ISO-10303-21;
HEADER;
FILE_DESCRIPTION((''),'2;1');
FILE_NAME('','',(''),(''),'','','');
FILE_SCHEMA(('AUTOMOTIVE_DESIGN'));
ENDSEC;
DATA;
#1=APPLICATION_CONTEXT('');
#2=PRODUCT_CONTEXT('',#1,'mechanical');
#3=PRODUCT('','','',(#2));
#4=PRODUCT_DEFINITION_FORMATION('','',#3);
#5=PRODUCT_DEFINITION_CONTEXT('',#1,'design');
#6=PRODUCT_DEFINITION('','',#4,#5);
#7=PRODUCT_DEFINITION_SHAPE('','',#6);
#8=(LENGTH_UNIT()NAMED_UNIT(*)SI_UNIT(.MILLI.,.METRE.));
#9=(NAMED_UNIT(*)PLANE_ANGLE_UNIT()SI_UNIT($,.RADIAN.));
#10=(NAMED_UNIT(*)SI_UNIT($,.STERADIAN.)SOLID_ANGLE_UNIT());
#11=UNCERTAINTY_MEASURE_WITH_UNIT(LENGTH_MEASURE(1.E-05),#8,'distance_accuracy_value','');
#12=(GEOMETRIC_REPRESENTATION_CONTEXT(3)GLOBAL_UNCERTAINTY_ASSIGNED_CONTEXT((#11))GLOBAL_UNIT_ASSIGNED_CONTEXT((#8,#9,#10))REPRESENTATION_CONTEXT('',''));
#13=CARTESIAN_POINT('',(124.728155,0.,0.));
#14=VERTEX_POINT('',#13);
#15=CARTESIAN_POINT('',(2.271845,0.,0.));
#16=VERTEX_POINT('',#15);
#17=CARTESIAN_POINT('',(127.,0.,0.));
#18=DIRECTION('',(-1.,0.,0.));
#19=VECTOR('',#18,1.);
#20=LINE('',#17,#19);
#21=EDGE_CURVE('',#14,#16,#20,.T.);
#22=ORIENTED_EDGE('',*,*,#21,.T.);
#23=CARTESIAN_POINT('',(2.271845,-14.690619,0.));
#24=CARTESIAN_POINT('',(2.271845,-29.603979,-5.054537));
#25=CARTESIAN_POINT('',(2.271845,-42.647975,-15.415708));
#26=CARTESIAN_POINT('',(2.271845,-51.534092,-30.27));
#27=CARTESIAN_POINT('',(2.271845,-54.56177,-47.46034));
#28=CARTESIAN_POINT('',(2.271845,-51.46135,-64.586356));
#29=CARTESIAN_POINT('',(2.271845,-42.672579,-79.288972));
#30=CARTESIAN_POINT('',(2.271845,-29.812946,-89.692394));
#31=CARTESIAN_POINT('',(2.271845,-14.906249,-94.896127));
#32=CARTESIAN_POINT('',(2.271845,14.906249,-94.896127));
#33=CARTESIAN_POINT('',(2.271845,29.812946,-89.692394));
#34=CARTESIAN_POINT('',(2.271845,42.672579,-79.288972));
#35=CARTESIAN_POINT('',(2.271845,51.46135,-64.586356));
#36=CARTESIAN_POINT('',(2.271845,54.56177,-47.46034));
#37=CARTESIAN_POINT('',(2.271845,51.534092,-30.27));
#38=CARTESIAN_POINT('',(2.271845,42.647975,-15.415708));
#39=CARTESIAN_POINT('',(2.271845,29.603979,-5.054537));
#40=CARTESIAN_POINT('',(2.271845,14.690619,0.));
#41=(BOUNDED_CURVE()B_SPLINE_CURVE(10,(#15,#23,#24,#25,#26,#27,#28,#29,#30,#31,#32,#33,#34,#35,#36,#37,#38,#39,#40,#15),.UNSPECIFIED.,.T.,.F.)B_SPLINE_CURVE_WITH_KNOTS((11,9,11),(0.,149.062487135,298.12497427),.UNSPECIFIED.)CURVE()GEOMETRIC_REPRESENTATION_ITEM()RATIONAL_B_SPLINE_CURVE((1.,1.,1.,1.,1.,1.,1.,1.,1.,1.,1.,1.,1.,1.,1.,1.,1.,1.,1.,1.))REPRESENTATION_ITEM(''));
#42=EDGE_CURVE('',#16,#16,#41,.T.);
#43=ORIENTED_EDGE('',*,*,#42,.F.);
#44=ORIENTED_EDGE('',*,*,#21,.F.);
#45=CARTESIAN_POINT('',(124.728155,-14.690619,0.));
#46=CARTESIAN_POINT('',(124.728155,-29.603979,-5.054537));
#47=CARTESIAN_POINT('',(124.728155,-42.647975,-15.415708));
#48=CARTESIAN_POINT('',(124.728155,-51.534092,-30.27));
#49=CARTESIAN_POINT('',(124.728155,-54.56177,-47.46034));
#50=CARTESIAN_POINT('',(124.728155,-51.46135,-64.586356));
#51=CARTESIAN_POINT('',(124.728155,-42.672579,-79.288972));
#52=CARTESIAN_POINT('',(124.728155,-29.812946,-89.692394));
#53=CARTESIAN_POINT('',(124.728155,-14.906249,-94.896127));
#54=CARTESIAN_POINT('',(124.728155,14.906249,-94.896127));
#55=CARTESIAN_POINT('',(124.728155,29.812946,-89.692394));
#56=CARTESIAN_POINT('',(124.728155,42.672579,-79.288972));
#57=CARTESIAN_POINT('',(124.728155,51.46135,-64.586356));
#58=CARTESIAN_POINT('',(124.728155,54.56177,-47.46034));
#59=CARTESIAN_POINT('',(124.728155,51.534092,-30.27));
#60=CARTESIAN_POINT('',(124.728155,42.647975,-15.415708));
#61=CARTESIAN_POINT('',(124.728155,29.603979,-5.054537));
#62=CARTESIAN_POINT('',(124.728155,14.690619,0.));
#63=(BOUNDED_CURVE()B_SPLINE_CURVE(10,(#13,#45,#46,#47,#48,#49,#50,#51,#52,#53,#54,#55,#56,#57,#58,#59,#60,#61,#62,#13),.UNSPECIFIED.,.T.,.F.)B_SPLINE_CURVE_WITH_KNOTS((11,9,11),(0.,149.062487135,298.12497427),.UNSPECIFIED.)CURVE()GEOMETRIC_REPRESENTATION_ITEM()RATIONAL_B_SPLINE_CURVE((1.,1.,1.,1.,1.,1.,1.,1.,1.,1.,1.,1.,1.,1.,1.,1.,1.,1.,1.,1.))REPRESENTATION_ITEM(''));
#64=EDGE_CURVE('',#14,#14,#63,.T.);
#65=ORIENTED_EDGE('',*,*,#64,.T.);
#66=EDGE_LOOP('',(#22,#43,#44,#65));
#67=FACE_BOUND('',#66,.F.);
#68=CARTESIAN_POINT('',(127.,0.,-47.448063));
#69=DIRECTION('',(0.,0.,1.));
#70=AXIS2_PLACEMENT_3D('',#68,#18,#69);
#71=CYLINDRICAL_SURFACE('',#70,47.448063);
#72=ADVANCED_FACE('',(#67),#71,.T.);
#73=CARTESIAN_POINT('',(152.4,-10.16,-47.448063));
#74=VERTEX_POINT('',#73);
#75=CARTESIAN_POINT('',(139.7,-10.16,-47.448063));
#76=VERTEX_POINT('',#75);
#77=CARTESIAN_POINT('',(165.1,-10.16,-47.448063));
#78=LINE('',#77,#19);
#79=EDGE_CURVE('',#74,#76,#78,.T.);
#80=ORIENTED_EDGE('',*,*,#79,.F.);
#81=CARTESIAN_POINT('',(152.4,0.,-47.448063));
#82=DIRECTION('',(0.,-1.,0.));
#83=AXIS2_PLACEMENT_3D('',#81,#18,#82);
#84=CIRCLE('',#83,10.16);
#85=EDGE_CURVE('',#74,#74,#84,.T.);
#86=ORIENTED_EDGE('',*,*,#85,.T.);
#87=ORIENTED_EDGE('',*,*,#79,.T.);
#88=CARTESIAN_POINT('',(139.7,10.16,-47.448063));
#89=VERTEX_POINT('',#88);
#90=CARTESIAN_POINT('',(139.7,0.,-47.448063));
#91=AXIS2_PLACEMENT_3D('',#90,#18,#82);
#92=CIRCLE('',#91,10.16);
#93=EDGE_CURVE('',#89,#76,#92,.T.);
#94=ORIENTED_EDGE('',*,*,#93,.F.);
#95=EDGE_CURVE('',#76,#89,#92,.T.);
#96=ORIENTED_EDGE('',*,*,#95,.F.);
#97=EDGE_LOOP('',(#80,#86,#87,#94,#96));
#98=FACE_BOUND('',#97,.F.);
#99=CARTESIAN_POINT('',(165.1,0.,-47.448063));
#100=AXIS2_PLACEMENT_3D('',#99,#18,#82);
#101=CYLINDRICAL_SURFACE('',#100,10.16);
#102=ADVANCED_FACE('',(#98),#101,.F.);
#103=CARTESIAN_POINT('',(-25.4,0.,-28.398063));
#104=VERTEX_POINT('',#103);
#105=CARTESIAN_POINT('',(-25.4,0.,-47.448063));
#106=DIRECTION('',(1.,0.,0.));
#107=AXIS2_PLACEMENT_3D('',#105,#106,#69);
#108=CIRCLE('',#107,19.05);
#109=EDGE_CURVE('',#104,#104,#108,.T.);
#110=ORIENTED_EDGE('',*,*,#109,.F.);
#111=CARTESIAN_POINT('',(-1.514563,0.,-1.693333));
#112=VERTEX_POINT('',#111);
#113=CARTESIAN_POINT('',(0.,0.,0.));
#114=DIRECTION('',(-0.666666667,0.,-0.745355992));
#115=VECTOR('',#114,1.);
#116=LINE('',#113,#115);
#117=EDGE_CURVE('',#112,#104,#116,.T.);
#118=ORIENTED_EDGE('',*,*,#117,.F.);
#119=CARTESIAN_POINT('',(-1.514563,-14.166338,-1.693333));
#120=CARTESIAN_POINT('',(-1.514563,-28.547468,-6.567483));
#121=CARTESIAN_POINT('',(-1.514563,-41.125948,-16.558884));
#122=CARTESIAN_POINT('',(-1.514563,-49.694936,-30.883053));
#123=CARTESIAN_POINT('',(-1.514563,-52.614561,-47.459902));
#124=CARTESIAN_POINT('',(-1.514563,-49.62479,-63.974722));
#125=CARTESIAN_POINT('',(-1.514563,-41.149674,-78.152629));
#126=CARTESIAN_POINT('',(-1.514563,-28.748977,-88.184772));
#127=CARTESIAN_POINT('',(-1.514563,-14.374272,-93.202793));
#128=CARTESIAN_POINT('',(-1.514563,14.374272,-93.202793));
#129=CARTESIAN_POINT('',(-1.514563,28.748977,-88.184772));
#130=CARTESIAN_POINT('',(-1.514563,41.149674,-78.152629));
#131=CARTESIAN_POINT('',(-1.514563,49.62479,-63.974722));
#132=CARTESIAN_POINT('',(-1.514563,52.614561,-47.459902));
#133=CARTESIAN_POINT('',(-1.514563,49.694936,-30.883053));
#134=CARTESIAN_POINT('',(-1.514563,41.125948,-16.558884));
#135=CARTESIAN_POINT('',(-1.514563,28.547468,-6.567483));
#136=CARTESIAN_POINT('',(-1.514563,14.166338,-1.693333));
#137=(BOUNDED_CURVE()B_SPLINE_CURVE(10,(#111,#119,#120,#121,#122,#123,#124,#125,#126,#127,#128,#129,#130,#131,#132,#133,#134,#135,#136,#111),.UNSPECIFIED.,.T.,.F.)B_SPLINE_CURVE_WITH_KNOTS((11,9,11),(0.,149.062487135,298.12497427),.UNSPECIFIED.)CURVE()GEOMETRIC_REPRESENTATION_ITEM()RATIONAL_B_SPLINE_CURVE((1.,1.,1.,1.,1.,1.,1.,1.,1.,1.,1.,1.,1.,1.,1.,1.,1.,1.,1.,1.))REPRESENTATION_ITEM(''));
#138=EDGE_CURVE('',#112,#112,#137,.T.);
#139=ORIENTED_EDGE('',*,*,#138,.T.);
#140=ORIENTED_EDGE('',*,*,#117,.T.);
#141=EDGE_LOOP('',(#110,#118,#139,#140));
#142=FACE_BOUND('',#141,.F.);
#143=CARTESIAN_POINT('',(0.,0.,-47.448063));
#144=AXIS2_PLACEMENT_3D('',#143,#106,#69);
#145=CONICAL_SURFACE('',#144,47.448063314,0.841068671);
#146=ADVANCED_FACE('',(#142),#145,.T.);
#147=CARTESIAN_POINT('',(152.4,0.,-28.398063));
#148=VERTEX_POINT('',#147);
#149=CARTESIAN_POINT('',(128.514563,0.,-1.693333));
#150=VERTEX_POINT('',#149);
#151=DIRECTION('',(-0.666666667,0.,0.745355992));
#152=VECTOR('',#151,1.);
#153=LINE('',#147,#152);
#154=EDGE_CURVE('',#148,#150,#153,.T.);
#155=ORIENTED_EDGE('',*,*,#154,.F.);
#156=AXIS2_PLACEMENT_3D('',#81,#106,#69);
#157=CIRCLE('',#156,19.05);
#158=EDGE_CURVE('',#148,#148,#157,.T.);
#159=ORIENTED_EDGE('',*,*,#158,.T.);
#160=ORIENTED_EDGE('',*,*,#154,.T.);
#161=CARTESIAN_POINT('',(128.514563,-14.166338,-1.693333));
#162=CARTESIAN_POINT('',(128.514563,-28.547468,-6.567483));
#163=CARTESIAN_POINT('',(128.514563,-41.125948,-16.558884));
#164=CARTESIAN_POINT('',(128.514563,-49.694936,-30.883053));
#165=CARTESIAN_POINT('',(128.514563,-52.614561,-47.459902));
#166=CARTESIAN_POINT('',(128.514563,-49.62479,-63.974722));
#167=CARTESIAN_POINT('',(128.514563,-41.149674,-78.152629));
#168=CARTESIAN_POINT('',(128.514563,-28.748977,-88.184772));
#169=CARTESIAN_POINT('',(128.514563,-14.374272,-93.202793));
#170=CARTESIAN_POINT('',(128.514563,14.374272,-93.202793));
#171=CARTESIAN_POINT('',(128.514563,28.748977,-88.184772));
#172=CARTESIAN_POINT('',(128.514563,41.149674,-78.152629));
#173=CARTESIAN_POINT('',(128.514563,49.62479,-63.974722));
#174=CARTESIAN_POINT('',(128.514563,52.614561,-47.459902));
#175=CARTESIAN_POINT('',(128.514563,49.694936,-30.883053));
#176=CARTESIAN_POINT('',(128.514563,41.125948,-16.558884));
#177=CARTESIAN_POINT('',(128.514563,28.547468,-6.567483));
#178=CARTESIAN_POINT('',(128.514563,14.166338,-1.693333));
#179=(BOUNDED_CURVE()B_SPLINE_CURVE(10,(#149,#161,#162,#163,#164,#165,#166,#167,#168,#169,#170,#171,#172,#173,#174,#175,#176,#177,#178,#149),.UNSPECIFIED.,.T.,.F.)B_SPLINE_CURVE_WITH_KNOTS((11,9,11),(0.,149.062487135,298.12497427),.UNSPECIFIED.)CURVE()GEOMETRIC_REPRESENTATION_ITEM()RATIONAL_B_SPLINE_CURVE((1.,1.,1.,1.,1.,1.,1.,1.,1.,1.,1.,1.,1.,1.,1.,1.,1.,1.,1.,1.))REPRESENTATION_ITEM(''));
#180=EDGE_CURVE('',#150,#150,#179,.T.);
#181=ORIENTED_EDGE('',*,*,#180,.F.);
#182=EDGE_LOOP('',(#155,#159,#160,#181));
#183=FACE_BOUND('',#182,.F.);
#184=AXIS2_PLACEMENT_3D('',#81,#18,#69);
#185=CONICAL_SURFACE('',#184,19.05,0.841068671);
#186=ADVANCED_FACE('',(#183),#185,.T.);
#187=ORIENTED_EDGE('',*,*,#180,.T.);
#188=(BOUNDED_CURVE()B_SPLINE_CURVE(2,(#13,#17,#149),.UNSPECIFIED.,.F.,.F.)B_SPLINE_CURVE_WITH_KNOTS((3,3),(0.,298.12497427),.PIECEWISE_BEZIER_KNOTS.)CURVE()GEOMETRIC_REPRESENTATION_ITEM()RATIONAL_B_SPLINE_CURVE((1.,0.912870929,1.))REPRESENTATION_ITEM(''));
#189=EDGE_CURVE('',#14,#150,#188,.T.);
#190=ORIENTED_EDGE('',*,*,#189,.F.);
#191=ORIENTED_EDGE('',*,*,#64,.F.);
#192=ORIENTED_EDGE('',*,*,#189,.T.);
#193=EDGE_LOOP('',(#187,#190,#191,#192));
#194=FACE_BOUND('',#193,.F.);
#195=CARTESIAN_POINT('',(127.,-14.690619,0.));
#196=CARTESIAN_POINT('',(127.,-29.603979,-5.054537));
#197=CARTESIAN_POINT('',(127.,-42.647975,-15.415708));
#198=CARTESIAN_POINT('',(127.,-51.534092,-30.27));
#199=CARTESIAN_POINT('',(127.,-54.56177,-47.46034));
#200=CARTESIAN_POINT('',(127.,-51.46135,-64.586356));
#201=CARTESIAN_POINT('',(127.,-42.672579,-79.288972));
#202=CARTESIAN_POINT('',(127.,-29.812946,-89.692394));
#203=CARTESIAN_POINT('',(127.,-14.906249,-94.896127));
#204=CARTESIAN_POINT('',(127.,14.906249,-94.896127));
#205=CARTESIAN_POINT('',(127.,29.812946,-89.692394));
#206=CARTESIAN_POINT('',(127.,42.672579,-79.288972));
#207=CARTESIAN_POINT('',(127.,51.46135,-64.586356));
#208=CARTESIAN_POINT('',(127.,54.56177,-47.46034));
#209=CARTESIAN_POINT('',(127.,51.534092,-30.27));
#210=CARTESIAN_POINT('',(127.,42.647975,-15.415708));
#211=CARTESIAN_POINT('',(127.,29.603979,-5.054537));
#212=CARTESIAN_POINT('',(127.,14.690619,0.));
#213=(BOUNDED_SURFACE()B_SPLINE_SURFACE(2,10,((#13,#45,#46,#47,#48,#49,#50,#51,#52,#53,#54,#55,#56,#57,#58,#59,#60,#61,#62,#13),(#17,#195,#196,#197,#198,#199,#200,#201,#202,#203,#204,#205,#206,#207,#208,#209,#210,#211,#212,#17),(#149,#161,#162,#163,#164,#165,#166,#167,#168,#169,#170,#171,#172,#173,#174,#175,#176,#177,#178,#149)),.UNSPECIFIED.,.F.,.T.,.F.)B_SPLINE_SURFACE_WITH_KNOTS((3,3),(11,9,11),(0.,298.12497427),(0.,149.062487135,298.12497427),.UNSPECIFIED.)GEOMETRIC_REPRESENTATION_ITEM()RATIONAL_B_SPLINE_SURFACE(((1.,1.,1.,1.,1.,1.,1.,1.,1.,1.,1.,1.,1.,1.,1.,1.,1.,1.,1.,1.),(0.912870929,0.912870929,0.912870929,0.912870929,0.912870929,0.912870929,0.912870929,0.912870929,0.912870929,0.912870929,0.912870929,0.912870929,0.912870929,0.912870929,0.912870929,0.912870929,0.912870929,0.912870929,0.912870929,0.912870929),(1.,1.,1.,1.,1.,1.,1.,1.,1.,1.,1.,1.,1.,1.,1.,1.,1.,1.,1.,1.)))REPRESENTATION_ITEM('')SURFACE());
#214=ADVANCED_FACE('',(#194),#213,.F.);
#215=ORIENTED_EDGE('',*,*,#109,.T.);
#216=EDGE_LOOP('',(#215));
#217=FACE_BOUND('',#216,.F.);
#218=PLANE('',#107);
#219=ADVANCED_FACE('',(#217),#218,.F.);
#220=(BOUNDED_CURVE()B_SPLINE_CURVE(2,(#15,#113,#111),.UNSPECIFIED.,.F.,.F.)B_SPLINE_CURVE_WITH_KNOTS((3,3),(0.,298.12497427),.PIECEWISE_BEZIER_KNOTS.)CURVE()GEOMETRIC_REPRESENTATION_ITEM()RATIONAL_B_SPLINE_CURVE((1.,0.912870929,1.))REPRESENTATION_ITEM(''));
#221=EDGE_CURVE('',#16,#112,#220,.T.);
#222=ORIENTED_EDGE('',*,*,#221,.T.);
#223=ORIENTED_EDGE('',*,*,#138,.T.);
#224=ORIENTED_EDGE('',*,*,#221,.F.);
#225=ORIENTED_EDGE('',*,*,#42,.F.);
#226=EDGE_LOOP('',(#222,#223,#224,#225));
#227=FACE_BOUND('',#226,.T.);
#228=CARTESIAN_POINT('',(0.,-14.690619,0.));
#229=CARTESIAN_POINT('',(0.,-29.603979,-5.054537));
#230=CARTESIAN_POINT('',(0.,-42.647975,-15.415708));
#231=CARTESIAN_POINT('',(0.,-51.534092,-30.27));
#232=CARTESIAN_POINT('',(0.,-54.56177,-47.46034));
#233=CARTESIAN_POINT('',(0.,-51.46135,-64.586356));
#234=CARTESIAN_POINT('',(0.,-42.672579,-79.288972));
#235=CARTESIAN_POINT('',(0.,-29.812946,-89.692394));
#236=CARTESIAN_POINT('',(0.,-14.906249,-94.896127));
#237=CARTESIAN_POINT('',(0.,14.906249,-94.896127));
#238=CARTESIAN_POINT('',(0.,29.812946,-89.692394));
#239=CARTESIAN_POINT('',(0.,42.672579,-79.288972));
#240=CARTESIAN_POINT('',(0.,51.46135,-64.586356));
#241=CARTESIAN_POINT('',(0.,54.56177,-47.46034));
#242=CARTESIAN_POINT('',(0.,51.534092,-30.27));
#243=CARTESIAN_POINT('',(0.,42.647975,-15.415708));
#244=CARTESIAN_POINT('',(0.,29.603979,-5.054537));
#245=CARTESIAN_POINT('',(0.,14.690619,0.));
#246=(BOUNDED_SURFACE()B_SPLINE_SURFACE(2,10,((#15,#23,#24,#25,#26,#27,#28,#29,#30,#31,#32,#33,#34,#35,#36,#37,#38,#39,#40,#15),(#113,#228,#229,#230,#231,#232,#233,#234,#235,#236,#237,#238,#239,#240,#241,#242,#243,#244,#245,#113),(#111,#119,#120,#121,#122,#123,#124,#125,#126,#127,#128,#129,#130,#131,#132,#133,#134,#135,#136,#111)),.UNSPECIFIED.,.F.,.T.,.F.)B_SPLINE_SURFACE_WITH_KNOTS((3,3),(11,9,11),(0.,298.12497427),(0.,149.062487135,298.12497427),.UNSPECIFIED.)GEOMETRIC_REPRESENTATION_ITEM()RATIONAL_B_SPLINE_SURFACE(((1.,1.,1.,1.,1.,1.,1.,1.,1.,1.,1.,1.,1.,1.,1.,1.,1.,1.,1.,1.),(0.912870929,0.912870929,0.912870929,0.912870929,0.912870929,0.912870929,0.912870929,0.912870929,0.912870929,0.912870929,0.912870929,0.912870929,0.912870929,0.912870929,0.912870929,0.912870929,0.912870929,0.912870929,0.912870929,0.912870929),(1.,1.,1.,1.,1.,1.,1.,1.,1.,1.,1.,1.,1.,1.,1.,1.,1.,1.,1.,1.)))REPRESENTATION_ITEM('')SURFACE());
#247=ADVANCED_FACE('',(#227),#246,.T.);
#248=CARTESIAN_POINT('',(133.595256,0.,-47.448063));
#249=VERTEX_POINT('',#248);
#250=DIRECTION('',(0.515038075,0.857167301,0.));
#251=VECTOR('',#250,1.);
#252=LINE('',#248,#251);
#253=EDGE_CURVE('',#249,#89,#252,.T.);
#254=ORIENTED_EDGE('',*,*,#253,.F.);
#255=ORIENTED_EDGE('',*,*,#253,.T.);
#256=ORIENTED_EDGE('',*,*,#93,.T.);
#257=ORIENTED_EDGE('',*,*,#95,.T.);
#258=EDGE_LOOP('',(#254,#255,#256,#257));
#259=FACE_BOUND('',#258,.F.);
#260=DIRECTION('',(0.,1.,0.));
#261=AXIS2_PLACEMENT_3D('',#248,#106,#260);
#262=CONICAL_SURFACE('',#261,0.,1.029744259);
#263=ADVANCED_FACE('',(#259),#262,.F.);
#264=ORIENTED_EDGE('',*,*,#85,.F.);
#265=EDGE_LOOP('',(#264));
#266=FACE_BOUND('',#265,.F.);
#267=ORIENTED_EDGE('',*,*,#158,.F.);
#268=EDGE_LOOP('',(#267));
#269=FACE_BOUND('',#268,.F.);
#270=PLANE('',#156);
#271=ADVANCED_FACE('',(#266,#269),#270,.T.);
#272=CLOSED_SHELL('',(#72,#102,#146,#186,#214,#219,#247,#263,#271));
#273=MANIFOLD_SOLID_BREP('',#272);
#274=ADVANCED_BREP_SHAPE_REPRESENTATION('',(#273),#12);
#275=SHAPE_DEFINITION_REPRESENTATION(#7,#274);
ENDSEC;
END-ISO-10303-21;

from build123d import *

# Parameters (mm, degrees)
F4_D     = 20.32
F4_DEPTH = 12.7
F4_TIP   = 6.1047438893
F3_R     = 5.08
F5_R     = 5.08


with BuildPart() as f1:
    # F0 (on Front) → F1 (revolve)
    with BuildSketch(Plane.XZ):
        Polygon((127, 0), (0, 0), (-25.4, -28.3980633142), (-25.4, -47.4480633142), (152.4, -47.4480633142), (152.4, -28.3980633142), align=None)
    revolve(axis=Axis((63.5, 0, -47.4480633142), (1, 0, 0)))

    # F4
    with Locations(Plane.YZ.offset(152.4)):
        with Locations((0, -47.4480633142)):
            Hole(F4_D / 2, depth=F4_DEPTH)
            with Locations((0, 0, -(F4_DEPTH + F4_TIP / 2))):  # 118° drill point
                Cone(0, F4_D / 2, F4_TIP, mode=Mode.SUBTRACT)

    # F3
    f3_edges = [f1.edges().sort_by_distance(p)[0] for p in [
        (127, 0, -94.896127),
    ]]
    fillet(f3_edges, radius=F3_R)

    # F5
    f5_edges = [f1.edges().sort_by_distance(p)[0] for p in [
        (0, 0, -94.896127),
    ]]
    fillet(f5_edges, radius=F5_R)


solid = f1.part
